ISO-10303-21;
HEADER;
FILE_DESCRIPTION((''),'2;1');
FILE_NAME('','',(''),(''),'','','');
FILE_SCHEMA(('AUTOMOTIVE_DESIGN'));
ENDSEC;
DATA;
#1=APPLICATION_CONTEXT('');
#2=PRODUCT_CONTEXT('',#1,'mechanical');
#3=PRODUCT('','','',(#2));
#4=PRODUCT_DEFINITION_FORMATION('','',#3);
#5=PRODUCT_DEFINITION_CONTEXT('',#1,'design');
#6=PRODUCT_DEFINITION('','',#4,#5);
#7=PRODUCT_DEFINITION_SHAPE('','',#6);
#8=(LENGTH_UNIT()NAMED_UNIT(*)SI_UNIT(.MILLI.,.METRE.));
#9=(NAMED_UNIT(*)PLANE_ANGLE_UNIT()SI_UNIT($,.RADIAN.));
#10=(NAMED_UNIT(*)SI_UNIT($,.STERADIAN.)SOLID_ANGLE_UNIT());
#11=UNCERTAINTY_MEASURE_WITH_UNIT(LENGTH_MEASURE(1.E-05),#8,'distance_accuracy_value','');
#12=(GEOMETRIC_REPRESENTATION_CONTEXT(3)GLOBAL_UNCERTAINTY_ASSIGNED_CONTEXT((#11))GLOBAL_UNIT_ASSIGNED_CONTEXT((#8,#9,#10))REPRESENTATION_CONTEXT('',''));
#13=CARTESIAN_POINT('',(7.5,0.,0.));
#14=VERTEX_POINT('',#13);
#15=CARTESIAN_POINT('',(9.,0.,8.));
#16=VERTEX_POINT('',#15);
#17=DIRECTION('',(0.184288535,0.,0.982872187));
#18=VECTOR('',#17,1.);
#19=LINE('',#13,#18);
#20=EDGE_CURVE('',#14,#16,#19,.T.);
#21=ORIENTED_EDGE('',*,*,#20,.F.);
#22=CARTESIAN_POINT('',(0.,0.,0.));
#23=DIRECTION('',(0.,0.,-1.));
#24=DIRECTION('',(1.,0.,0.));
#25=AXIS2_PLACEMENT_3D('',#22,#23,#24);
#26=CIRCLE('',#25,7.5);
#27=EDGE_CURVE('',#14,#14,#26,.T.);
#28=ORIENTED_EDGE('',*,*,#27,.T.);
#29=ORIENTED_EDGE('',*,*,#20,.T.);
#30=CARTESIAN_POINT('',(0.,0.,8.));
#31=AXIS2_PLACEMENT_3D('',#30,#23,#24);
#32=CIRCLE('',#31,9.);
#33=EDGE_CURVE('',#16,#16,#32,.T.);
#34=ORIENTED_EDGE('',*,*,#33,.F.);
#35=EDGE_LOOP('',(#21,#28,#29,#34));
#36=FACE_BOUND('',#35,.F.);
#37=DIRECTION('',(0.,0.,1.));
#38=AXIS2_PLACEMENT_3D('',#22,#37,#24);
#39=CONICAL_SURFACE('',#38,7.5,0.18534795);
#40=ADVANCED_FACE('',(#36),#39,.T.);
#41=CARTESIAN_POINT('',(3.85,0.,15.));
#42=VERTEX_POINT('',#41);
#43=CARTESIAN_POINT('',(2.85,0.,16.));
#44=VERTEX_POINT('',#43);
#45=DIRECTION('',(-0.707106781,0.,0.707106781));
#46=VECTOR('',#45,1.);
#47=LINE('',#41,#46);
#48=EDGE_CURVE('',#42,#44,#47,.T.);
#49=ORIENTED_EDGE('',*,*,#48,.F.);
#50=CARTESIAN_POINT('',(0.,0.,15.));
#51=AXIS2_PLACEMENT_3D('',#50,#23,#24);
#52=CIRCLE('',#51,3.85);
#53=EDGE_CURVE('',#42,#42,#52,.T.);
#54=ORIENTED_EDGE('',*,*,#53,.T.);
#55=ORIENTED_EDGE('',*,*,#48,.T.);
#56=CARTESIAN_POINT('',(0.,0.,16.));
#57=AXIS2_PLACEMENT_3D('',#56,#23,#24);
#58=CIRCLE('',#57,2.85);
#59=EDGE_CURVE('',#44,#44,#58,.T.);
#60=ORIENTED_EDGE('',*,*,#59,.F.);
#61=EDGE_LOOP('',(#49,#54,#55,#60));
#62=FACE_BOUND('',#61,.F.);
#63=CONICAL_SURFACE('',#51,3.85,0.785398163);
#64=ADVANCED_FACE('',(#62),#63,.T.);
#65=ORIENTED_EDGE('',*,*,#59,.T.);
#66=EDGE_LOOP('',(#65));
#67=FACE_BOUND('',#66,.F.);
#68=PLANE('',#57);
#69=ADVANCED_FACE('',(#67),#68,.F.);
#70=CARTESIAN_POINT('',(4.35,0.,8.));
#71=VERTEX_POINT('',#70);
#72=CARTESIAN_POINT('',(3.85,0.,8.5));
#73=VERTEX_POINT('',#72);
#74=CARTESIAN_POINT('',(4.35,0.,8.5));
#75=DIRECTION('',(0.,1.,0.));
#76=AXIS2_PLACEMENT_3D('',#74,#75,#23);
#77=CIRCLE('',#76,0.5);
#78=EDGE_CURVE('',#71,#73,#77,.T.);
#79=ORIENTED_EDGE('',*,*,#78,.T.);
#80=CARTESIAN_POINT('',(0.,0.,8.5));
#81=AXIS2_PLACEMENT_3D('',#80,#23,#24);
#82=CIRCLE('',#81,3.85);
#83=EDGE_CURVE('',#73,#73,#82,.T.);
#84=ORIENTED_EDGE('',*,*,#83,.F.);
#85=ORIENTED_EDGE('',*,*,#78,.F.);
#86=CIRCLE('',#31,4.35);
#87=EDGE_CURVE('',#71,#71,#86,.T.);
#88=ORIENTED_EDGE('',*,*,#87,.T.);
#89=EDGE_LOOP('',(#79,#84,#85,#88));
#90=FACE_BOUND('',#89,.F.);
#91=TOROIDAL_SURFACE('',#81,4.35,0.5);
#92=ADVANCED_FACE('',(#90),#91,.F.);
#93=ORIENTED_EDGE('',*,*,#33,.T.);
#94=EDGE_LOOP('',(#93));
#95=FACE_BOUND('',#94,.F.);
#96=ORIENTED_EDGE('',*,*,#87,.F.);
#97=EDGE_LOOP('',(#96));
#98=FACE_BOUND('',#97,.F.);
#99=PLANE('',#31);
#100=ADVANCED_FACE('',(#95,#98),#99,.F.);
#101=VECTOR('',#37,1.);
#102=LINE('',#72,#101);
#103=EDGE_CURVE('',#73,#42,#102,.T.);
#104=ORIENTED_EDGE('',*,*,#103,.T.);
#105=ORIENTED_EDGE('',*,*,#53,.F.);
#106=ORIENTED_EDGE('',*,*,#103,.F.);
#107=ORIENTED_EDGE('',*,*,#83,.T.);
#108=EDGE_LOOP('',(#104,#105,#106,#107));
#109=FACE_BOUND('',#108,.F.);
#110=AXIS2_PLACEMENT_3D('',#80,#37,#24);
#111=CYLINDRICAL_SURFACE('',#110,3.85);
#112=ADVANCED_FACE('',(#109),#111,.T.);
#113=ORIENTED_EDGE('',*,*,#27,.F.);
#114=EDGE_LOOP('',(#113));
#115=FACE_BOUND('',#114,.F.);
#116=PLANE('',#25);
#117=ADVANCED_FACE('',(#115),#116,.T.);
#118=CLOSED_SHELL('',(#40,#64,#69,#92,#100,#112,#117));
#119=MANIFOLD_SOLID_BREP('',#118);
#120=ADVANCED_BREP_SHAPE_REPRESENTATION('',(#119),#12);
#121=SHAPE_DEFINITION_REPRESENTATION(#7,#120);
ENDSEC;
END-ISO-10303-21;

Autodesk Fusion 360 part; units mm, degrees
sketch "Sketch1" plane through (0, 0, 0) normal (0, 1, 0) x (1, 0, 0)
  line L0 (0, 0) -> (7.5, 0)
  line L1 (7.5, 0) -> (9, -8)
  line L2 (9, -8) -> (4.35, -8)
  line L3 (3.85, -8.5) -> (3.85, -16)
  line L4 (3.85, -16) -> (0, -16)
  line L5 (0, -16) -> (0, 0)
  arc A0 (4.35, -8) -> (3.85, -8.5) centre (4.35, -8.5) ccw
  point P0 (3.85, -8)
  dimension "d1" = 7.5
  dimension "d2" = 8
  dimension "d3" = 3.85
  dimension "d4" = 8
  dimension "d5" = 0.5
revolve "Revolve1" add sketch "Sketch1" angle 360 about axis through (0, 0, 16) along (0, 0, -1)
chamfer "Chamfer1" distance 1 angle 45 1 edges at (-3.5895, -1.3922, 16)
